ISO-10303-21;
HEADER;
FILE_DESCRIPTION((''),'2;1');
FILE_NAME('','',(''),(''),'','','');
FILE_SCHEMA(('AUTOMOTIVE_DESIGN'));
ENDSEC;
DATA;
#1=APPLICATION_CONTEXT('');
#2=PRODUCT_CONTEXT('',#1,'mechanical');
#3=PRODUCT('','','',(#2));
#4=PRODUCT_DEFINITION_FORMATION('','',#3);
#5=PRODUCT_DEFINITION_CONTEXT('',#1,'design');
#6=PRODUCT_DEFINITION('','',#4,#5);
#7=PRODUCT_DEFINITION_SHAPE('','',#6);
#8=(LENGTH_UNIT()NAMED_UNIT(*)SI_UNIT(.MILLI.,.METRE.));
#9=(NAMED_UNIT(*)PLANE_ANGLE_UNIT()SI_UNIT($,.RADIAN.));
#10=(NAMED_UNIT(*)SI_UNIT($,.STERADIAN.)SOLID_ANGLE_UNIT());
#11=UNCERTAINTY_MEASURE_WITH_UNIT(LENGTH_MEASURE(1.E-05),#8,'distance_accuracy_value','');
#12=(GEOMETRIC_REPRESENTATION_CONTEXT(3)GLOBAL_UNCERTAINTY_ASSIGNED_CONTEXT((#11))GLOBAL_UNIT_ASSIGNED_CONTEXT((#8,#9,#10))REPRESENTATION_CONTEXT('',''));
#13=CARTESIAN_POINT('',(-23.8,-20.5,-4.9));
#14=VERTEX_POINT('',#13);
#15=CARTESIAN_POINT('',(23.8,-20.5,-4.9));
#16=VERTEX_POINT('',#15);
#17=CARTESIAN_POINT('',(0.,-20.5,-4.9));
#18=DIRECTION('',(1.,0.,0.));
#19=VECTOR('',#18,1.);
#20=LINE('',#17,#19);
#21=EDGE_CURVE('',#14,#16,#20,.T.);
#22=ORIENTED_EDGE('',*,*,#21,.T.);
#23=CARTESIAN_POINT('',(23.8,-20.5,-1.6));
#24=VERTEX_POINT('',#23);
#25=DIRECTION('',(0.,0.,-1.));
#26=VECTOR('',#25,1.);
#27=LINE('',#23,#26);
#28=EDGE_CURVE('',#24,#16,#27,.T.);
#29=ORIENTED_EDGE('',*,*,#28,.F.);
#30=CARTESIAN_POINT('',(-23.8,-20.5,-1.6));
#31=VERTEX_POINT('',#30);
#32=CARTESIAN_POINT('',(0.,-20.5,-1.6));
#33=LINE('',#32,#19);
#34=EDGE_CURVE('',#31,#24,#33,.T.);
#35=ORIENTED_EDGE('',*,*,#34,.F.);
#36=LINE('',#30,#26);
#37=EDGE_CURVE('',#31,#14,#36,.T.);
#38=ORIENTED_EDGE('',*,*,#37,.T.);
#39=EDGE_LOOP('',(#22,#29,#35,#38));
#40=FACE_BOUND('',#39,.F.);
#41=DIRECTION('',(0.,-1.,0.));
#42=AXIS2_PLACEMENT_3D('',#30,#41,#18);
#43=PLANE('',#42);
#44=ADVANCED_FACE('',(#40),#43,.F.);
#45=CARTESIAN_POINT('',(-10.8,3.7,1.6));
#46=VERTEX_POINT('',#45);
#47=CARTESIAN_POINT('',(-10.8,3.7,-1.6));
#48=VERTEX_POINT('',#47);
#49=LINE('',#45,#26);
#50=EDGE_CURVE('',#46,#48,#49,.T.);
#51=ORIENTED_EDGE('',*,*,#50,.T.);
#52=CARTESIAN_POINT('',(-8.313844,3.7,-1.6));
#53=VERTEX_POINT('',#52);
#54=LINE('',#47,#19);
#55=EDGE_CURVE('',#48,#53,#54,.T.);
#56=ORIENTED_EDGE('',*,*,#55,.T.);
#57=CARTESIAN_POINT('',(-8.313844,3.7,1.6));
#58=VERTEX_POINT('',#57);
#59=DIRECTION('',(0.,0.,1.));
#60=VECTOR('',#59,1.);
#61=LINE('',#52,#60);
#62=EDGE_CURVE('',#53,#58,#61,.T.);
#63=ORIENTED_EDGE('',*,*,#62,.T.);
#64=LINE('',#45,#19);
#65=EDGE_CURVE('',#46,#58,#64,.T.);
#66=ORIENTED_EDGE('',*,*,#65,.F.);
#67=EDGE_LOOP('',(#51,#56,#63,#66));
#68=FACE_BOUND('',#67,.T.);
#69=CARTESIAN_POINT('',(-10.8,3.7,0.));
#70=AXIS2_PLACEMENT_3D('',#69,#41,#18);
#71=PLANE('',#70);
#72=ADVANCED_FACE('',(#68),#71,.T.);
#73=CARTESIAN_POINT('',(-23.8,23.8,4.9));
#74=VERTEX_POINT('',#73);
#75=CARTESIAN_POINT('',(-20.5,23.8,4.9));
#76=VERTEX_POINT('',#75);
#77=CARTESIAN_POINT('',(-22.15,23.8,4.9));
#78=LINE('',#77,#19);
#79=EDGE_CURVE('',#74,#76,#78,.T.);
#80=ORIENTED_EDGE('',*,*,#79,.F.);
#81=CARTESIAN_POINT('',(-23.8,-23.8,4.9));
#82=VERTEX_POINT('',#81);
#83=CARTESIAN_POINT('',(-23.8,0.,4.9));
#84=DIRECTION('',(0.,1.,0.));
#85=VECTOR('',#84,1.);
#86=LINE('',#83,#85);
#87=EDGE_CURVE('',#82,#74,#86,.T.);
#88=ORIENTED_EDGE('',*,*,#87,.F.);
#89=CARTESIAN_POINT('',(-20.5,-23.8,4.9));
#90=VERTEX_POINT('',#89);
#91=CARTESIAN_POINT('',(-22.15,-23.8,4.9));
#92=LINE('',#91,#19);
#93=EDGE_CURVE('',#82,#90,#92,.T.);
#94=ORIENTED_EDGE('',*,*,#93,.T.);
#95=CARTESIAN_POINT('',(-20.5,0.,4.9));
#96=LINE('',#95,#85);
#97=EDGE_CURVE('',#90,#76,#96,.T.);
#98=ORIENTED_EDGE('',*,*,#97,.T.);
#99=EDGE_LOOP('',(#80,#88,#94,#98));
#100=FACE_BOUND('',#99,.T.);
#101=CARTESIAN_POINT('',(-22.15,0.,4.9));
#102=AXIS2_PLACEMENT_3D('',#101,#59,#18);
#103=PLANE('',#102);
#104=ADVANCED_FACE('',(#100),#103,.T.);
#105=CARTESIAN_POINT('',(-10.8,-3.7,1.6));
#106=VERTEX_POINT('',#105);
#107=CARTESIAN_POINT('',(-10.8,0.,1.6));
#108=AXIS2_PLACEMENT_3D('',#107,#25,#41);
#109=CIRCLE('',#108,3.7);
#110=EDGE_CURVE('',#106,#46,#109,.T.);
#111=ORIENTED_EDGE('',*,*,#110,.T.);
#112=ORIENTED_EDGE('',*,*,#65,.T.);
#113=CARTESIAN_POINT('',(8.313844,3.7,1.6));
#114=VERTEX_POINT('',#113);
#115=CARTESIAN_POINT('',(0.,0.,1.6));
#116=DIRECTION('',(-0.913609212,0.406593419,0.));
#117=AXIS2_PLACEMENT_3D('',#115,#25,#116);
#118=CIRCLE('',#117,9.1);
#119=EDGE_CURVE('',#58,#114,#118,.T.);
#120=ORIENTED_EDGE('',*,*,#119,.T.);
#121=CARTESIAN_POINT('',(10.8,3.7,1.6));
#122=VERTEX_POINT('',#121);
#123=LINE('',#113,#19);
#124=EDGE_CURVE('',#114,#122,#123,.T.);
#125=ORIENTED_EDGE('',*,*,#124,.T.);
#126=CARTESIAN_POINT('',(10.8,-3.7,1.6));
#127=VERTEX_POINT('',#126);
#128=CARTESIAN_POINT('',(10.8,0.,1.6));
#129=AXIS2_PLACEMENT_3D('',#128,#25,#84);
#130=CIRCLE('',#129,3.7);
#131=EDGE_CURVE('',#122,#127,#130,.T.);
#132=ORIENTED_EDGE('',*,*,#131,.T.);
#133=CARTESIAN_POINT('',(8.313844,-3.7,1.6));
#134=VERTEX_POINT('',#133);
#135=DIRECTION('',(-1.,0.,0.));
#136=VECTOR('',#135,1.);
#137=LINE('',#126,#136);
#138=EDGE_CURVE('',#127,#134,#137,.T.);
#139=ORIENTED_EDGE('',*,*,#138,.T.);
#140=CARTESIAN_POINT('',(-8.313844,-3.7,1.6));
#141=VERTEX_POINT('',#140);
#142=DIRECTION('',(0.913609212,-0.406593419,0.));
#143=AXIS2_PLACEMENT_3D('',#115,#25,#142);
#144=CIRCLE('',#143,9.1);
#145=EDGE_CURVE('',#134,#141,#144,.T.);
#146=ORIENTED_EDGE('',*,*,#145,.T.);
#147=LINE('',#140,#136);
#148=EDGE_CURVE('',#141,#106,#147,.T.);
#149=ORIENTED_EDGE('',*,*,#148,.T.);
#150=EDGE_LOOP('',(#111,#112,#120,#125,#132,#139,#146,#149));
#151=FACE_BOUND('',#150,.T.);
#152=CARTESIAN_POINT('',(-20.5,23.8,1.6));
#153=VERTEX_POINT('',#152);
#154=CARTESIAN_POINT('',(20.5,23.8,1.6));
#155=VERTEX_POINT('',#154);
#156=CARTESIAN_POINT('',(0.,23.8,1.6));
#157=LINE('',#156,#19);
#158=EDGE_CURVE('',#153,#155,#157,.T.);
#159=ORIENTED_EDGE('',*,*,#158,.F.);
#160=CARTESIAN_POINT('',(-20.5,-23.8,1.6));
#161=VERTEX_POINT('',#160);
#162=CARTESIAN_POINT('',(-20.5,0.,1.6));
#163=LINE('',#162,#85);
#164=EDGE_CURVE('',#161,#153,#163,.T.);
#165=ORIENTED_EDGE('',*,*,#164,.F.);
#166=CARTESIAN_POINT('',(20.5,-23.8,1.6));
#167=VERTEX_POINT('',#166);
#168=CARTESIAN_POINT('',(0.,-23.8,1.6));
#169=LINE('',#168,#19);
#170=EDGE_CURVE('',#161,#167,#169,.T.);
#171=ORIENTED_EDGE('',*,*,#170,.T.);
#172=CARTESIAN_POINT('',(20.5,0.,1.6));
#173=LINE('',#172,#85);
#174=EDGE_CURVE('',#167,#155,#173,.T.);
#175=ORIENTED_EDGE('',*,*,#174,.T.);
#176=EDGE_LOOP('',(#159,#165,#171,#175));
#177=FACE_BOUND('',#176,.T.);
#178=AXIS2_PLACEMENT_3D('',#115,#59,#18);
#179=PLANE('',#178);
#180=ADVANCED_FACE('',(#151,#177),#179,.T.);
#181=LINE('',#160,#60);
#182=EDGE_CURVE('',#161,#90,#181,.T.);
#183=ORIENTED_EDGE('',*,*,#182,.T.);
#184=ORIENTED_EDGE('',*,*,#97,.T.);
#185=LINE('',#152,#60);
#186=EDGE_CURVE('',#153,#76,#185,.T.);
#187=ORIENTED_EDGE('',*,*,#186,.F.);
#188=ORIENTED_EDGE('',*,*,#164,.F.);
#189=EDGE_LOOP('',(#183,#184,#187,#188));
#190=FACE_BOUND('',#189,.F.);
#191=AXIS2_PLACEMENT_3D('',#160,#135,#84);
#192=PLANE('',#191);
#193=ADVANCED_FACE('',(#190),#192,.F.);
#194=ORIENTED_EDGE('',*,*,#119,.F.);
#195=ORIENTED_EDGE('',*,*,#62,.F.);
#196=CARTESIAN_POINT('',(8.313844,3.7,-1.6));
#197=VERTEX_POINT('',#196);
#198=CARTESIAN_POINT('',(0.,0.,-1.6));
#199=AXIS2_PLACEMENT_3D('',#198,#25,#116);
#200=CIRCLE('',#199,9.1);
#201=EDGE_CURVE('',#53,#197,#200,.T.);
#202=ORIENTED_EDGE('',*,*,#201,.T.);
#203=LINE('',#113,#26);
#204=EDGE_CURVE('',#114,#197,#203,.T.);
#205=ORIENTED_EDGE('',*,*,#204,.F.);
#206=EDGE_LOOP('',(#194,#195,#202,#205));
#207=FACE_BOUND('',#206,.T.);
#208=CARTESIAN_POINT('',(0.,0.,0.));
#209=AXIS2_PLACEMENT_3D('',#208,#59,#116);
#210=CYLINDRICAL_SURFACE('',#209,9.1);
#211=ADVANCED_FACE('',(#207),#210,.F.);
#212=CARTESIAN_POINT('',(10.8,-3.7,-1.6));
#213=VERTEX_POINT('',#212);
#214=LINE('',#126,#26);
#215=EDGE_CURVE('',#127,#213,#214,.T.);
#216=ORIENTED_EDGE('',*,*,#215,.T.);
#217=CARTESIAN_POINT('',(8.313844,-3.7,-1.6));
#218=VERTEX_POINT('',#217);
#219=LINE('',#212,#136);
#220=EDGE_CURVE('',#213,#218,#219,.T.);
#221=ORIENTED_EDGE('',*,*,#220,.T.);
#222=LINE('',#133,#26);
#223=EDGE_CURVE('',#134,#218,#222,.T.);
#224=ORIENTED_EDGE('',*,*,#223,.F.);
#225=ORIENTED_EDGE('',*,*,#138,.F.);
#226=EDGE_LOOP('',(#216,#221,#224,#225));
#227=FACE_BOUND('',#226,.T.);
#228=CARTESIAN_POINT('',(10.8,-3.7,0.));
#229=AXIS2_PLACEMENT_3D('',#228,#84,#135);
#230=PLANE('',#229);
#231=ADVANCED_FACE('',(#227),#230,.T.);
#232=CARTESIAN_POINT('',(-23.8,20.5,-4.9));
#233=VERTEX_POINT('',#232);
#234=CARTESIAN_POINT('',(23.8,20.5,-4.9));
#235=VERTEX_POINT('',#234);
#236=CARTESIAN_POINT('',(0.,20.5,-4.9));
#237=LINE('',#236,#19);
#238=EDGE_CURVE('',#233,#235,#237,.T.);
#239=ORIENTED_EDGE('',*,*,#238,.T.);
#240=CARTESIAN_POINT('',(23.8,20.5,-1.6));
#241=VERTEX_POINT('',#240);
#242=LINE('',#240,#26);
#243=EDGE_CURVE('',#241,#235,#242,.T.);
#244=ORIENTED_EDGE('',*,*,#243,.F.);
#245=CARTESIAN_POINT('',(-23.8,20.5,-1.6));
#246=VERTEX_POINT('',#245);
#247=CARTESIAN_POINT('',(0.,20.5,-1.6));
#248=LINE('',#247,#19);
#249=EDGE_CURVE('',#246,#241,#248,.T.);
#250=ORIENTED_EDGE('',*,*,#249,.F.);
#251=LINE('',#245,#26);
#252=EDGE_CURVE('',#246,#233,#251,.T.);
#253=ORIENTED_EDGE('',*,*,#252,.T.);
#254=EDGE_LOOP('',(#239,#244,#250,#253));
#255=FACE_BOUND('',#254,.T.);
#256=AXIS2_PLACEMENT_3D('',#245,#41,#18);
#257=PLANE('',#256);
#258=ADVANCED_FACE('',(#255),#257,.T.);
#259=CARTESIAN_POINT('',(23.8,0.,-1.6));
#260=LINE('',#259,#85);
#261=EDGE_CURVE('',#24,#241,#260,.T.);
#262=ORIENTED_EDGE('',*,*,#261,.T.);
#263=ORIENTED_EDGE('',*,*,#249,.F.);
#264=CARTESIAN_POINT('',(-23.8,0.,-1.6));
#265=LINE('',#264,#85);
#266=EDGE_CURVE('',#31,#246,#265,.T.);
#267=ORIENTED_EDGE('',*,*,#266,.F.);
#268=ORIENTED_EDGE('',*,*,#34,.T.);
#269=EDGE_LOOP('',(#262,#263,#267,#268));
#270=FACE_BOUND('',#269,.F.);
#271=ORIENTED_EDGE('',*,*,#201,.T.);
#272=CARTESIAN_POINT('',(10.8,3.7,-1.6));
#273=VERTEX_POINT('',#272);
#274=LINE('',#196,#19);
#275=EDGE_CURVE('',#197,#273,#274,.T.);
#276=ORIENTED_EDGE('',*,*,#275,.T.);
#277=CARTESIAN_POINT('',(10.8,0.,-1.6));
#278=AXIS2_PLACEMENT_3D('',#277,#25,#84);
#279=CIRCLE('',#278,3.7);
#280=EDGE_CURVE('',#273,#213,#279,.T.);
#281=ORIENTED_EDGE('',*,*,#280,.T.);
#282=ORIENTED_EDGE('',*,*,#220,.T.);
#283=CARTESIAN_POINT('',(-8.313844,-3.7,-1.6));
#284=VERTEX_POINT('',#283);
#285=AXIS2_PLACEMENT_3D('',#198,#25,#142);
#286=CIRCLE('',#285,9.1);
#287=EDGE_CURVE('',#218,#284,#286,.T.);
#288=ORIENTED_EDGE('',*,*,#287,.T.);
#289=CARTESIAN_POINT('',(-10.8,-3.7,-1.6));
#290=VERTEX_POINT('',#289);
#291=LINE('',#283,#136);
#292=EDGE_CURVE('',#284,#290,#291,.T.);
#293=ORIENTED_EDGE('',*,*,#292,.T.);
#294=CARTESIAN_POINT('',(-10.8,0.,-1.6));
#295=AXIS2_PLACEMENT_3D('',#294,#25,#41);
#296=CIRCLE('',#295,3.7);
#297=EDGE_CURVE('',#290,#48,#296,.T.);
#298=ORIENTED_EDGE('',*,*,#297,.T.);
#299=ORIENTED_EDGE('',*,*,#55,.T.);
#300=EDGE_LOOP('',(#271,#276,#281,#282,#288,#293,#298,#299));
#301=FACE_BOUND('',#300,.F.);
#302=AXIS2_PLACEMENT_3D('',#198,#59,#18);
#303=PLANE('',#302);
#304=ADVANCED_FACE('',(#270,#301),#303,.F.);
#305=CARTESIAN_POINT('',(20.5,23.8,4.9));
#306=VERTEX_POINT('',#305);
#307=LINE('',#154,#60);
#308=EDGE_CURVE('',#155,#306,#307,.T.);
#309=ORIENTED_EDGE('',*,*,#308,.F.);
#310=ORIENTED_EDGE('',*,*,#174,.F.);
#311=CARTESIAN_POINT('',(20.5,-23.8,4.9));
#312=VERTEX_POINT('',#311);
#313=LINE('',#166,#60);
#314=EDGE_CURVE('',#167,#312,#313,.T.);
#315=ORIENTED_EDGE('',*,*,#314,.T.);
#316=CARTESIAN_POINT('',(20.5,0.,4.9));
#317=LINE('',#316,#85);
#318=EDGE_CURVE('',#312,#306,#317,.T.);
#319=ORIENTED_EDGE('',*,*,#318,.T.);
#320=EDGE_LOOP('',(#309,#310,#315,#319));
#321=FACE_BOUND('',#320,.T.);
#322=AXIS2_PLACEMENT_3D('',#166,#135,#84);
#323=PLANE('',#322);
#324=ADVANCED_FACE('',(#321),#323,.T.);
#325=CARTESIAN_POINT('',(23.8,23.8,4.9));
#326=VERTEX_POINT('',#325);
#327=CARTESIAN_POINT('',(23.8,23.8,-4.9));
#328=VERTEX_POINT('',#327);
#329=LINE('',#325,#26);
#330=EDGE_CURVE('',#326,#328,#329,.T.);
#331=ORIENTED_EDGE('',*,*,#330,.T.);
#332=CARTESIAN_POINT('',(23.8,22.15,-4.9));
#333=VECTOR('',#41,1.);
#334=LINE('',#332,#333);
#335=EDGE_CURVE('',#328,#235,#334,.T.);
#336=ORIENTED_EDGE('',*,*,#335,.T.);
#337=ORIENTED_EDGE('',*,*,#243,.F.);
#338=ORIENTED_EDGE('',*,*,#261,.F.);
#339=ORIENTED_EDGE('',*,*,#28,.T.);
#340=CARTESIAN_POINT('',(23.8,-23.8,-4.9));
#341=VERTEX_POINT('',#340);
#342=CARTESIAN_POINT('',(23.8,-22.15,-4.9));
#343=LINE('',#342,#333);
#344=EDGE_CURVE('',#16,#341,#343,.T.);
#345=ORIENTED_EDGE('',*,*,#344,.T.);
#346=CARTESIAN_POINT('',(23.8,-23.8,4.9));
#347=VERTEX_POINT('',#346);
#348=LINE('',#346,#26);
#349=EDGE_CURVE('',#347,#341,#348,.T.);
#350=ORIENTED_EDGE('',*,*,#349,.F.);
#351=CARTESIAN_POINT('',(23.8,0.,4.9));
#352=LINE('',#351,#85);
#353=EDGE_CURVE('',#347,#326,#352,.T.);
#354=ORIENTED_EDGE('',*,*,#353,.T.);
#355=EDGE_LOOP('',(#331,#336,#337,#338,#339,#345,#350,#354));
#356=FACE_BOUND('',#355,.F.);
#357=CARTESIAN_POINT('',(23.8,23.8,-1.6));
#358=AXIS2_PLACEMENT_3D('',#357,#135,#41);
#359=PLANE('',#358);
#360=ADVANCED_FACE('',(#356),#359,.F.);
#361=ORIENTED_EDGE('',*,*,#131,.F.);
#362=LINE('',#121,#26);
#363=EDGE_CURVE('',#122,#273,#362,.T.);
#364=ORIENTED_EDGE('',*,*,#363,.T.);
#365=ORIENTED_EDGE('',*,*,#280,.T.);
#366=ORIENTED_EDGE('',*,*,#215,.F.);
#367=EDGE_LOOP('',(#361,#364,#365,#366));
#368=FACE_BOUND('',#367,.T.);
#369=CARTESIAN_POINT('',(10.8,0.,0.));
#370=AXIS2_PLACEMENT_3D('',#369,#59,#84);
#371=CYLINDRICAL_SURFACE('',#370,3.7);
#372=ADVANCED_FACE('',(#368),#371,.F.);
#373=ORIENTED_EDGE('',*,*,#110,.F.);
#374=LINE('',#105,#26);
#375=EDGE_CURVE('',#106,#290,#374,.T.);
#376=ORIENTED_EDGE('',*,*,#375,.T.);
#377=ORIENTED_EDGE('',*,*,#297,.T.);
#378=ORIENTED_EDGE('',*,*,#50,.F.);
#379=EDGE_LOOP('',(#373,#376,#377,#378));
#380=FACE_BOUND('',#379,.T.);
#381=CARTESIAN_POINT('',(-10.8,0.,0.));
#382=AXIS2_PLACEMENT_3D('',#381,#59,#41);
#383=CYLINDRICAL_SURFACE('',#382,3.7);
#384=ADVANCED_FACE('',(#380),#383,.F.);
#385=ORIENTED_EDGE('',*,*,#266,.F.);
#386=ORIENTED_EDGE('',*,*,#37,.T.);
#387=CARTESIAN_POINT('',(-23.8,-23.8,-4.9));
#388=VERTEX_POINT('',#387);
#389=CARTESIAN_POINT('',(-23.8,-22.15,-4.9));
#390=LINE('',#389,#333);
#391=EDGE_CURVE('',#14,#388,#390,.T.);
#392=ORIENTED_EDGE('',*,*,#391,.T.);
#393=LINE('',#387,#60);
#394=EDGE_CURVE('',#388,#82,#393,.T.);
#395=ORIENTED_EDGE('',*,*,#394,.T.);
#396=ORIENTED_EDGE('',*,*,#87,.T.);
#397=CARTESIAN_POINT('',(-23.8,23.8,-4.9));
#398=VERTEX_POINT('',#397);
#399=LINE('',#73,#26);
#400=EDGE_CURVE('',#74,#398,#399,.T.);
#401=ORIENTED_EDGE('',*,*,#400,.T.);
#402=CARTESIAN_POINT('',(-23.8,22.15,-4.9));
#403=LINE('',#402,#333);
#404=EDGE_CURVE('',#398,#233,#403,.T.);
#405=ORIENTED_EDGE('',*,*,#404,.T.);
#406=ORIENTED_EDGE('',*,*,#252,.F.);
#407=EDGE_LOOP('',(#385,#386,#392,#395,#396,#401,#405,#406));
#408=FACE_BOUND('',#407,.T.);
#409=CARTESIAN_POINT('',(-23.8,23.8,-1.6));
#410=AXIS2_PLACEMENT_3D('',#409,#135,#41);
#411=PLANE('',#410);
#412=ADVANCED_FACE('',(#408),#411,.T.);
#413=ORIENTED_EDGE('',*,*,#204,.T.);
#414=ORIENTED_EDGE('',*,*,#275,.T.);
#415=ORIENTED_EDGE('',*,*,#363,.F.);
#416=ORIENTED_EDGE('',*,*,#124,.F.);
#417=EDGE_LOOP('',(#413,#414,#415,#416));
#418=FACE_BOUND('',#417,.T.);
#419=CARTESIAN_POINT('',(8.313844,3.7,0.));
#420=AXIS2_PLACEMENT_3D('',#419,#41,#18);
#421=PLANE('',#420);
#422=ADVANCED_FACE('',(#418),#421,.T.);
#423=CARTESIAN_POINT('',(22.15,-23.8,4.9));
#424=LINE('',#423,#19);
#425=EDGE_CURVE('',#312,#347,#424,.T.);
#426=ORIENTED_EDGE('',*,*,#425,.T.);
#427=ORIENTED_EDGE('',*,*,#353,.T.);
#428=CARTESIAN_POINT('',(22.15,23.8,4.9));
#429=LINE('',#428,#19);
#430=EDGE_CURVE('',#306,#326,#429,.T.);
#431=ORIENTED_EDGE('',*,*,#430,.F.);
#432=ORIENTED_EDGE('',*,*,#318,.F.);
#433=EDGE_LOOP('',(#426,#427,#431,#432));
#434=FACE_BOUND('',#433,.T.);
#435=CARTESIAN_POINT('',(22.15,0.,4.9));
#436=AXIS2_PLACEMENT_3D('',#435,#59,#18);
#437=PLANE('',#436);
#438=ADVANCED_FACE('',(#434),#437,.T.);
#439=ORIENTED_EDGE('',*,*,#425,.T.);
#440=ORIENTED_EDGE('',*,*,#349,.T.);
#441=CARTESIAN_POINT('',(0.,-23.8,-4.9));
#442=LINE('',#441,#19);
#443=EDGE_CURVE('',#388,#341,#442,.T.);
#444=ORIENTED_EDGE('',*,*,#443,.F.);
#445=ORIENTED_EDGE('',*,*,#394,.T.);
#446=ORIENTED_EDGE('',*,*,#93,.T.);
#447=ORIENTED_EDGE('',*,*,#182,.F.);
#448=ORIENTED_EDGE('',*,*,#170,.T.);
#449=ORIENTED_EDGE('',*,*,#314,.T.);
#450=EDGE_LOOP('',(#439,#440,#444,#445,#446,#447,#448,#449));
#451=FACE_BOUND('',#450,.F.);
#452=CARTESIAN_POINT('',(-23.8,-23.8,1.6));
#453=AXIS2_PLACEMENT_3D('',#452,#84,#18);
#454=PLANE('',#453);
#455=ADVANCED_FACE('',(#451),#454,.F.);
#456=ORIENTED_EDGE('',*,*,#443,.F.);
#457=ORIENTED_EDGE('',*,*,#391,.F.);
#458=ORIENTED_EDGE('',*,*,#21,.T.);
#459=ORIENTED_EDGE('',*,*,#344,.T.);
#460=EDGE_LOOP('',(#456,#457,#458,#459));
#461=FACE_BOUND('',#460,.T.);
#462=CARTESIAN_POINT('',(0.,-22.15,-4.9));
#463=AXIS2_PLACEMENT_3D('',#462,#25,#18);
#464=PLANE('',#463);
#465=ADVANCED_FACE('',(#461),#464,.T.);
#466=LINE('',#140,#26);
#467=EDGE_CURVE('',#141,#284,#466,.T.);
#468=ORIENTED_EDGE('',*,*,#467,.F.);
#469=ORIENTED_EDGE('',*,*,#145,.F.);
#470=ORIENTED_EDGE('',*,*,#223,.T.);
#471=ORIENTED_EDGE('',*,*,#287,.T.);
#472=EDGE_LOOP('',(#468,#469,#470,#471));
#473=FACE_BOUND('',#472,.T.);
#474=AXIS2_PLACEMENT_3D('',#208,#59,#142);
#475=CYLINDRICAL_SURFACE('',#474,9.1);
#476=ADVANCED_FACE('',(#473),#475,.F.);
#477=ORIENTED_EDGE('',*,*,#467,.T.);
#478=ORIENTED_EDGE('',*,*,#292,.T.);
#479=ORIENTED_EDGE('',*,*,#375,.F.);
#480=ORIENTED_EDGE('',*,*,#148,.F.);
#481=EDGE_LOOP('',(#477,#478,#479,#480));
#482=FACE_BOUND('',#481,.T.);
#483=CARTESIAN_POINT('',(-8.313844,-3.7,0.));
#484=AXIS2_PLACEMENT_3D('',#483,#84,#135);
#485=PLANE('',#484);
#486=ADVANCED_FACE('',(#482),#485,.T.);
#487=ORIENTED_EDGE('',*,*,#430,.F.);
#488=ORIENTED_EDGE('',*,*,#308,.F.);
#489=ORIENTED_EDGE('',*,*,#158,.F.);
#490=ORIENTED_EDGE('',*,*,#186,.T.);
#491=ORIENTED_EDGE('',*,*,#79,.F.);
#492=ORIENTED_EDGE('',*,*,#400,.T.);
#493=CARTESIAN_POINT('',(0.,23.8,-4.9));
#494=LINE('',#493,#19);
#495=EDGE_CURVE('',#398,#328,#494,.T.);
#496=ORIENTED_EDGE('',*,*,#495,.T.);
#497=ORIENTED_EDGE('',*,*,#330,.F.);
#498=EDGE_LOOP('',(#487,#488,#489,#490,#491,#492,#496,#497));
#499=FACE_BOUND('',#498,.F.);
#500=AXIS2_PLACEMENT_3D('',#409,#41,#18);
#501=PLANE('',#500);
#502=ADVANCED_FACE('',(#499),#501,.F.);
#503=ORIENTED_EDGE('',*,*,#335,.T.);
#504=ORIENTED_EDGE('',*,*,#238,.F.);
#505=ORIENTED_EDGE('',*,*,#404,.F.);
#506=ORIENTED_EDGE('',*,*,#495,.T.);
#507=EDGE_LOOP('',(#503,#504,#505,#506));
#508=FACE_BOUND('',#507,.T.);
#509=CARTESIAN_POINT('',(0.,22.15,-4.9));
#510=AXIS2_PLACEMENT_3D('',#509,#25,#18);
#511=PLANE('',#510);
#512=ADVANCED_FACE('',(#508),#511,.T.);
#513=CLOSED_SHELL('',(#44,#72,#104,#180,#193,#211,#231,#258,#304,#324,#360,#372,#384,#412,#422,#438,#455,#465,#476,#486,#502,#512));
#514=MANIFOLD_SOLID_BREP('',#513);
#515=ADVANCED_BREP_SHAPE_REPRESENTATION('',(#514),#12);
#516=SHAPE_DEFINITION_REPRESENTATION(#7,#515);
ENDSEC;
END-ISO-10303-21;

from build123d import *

# Parameters (mm, degrees)
F0_W     = 47.6
F0_H     = 47.6
F1_DEPTH = 1.6
F2_W     = 3.3
F2_H     = 47.6
F3_DEPTH = 3.3
F4_W     = 47.6
F4_H     = 3.3
F5_DEPTH = 3.3


with BuildPart() as f1:
    # F0 (on Top) → F1 (new body, symmetric)
    with BuildSketch(Plane.XY):
        Rectangle(F0_W, F0_H)
        with BuildLine():
            ThreePointArc((-8.313844, 3.7), (0, 9.1), (8.313844, 3.7))
            Line((8.313844, 3.7), (10.8, 3.7))
            ThreePointArc((10.8, 3.7), (14.5, 0), (10.8, -3.7))
            Line((10.8, -3.7), (8.313844, -3.7))
            ThreePointArc((8.313844, -3.7), (0, -9.1), (-8.313844, -3.7))
            Line((-8.313844, -3.7), (-10.8, -3.7))
            ThreePointArc((-10.8, -3.7), (-14.5, 0), (-10.8, 3.7))
            Line((-10.8, 3.7), (-8.313844, 3.7))
        make_face(mode=Mode.SUBTRACT)
    extrude(amount=F1_DEPTH, both=True)

    # F2 (on face) → F3 (join)
    with BuildSketch(Plane.XY.offset(1.6)):
        with Locations((-22.15, 0)):
            Rectangle(F2_W, F2_H)
        with Locations((22.15, 0)):
            Rectangle(F2_W, F2_H)
    extrude(amount=F3_DEPTH)

    # F4 (on face) → F5 (join)
    with BuildSketch(Plane(origin=(0, 0, -1.6), x_dir=(1, 0, 0), z_dir=(0, 0, -1))):
        with Locations((0, -22.15)):
            Rectangle(F4_W, F4_H)
        with Locations((0, 22.15)):
            Rectangle(F4_W, F4_H)
    extrude(amount=F5_DEPTH)


solid = f1.part
